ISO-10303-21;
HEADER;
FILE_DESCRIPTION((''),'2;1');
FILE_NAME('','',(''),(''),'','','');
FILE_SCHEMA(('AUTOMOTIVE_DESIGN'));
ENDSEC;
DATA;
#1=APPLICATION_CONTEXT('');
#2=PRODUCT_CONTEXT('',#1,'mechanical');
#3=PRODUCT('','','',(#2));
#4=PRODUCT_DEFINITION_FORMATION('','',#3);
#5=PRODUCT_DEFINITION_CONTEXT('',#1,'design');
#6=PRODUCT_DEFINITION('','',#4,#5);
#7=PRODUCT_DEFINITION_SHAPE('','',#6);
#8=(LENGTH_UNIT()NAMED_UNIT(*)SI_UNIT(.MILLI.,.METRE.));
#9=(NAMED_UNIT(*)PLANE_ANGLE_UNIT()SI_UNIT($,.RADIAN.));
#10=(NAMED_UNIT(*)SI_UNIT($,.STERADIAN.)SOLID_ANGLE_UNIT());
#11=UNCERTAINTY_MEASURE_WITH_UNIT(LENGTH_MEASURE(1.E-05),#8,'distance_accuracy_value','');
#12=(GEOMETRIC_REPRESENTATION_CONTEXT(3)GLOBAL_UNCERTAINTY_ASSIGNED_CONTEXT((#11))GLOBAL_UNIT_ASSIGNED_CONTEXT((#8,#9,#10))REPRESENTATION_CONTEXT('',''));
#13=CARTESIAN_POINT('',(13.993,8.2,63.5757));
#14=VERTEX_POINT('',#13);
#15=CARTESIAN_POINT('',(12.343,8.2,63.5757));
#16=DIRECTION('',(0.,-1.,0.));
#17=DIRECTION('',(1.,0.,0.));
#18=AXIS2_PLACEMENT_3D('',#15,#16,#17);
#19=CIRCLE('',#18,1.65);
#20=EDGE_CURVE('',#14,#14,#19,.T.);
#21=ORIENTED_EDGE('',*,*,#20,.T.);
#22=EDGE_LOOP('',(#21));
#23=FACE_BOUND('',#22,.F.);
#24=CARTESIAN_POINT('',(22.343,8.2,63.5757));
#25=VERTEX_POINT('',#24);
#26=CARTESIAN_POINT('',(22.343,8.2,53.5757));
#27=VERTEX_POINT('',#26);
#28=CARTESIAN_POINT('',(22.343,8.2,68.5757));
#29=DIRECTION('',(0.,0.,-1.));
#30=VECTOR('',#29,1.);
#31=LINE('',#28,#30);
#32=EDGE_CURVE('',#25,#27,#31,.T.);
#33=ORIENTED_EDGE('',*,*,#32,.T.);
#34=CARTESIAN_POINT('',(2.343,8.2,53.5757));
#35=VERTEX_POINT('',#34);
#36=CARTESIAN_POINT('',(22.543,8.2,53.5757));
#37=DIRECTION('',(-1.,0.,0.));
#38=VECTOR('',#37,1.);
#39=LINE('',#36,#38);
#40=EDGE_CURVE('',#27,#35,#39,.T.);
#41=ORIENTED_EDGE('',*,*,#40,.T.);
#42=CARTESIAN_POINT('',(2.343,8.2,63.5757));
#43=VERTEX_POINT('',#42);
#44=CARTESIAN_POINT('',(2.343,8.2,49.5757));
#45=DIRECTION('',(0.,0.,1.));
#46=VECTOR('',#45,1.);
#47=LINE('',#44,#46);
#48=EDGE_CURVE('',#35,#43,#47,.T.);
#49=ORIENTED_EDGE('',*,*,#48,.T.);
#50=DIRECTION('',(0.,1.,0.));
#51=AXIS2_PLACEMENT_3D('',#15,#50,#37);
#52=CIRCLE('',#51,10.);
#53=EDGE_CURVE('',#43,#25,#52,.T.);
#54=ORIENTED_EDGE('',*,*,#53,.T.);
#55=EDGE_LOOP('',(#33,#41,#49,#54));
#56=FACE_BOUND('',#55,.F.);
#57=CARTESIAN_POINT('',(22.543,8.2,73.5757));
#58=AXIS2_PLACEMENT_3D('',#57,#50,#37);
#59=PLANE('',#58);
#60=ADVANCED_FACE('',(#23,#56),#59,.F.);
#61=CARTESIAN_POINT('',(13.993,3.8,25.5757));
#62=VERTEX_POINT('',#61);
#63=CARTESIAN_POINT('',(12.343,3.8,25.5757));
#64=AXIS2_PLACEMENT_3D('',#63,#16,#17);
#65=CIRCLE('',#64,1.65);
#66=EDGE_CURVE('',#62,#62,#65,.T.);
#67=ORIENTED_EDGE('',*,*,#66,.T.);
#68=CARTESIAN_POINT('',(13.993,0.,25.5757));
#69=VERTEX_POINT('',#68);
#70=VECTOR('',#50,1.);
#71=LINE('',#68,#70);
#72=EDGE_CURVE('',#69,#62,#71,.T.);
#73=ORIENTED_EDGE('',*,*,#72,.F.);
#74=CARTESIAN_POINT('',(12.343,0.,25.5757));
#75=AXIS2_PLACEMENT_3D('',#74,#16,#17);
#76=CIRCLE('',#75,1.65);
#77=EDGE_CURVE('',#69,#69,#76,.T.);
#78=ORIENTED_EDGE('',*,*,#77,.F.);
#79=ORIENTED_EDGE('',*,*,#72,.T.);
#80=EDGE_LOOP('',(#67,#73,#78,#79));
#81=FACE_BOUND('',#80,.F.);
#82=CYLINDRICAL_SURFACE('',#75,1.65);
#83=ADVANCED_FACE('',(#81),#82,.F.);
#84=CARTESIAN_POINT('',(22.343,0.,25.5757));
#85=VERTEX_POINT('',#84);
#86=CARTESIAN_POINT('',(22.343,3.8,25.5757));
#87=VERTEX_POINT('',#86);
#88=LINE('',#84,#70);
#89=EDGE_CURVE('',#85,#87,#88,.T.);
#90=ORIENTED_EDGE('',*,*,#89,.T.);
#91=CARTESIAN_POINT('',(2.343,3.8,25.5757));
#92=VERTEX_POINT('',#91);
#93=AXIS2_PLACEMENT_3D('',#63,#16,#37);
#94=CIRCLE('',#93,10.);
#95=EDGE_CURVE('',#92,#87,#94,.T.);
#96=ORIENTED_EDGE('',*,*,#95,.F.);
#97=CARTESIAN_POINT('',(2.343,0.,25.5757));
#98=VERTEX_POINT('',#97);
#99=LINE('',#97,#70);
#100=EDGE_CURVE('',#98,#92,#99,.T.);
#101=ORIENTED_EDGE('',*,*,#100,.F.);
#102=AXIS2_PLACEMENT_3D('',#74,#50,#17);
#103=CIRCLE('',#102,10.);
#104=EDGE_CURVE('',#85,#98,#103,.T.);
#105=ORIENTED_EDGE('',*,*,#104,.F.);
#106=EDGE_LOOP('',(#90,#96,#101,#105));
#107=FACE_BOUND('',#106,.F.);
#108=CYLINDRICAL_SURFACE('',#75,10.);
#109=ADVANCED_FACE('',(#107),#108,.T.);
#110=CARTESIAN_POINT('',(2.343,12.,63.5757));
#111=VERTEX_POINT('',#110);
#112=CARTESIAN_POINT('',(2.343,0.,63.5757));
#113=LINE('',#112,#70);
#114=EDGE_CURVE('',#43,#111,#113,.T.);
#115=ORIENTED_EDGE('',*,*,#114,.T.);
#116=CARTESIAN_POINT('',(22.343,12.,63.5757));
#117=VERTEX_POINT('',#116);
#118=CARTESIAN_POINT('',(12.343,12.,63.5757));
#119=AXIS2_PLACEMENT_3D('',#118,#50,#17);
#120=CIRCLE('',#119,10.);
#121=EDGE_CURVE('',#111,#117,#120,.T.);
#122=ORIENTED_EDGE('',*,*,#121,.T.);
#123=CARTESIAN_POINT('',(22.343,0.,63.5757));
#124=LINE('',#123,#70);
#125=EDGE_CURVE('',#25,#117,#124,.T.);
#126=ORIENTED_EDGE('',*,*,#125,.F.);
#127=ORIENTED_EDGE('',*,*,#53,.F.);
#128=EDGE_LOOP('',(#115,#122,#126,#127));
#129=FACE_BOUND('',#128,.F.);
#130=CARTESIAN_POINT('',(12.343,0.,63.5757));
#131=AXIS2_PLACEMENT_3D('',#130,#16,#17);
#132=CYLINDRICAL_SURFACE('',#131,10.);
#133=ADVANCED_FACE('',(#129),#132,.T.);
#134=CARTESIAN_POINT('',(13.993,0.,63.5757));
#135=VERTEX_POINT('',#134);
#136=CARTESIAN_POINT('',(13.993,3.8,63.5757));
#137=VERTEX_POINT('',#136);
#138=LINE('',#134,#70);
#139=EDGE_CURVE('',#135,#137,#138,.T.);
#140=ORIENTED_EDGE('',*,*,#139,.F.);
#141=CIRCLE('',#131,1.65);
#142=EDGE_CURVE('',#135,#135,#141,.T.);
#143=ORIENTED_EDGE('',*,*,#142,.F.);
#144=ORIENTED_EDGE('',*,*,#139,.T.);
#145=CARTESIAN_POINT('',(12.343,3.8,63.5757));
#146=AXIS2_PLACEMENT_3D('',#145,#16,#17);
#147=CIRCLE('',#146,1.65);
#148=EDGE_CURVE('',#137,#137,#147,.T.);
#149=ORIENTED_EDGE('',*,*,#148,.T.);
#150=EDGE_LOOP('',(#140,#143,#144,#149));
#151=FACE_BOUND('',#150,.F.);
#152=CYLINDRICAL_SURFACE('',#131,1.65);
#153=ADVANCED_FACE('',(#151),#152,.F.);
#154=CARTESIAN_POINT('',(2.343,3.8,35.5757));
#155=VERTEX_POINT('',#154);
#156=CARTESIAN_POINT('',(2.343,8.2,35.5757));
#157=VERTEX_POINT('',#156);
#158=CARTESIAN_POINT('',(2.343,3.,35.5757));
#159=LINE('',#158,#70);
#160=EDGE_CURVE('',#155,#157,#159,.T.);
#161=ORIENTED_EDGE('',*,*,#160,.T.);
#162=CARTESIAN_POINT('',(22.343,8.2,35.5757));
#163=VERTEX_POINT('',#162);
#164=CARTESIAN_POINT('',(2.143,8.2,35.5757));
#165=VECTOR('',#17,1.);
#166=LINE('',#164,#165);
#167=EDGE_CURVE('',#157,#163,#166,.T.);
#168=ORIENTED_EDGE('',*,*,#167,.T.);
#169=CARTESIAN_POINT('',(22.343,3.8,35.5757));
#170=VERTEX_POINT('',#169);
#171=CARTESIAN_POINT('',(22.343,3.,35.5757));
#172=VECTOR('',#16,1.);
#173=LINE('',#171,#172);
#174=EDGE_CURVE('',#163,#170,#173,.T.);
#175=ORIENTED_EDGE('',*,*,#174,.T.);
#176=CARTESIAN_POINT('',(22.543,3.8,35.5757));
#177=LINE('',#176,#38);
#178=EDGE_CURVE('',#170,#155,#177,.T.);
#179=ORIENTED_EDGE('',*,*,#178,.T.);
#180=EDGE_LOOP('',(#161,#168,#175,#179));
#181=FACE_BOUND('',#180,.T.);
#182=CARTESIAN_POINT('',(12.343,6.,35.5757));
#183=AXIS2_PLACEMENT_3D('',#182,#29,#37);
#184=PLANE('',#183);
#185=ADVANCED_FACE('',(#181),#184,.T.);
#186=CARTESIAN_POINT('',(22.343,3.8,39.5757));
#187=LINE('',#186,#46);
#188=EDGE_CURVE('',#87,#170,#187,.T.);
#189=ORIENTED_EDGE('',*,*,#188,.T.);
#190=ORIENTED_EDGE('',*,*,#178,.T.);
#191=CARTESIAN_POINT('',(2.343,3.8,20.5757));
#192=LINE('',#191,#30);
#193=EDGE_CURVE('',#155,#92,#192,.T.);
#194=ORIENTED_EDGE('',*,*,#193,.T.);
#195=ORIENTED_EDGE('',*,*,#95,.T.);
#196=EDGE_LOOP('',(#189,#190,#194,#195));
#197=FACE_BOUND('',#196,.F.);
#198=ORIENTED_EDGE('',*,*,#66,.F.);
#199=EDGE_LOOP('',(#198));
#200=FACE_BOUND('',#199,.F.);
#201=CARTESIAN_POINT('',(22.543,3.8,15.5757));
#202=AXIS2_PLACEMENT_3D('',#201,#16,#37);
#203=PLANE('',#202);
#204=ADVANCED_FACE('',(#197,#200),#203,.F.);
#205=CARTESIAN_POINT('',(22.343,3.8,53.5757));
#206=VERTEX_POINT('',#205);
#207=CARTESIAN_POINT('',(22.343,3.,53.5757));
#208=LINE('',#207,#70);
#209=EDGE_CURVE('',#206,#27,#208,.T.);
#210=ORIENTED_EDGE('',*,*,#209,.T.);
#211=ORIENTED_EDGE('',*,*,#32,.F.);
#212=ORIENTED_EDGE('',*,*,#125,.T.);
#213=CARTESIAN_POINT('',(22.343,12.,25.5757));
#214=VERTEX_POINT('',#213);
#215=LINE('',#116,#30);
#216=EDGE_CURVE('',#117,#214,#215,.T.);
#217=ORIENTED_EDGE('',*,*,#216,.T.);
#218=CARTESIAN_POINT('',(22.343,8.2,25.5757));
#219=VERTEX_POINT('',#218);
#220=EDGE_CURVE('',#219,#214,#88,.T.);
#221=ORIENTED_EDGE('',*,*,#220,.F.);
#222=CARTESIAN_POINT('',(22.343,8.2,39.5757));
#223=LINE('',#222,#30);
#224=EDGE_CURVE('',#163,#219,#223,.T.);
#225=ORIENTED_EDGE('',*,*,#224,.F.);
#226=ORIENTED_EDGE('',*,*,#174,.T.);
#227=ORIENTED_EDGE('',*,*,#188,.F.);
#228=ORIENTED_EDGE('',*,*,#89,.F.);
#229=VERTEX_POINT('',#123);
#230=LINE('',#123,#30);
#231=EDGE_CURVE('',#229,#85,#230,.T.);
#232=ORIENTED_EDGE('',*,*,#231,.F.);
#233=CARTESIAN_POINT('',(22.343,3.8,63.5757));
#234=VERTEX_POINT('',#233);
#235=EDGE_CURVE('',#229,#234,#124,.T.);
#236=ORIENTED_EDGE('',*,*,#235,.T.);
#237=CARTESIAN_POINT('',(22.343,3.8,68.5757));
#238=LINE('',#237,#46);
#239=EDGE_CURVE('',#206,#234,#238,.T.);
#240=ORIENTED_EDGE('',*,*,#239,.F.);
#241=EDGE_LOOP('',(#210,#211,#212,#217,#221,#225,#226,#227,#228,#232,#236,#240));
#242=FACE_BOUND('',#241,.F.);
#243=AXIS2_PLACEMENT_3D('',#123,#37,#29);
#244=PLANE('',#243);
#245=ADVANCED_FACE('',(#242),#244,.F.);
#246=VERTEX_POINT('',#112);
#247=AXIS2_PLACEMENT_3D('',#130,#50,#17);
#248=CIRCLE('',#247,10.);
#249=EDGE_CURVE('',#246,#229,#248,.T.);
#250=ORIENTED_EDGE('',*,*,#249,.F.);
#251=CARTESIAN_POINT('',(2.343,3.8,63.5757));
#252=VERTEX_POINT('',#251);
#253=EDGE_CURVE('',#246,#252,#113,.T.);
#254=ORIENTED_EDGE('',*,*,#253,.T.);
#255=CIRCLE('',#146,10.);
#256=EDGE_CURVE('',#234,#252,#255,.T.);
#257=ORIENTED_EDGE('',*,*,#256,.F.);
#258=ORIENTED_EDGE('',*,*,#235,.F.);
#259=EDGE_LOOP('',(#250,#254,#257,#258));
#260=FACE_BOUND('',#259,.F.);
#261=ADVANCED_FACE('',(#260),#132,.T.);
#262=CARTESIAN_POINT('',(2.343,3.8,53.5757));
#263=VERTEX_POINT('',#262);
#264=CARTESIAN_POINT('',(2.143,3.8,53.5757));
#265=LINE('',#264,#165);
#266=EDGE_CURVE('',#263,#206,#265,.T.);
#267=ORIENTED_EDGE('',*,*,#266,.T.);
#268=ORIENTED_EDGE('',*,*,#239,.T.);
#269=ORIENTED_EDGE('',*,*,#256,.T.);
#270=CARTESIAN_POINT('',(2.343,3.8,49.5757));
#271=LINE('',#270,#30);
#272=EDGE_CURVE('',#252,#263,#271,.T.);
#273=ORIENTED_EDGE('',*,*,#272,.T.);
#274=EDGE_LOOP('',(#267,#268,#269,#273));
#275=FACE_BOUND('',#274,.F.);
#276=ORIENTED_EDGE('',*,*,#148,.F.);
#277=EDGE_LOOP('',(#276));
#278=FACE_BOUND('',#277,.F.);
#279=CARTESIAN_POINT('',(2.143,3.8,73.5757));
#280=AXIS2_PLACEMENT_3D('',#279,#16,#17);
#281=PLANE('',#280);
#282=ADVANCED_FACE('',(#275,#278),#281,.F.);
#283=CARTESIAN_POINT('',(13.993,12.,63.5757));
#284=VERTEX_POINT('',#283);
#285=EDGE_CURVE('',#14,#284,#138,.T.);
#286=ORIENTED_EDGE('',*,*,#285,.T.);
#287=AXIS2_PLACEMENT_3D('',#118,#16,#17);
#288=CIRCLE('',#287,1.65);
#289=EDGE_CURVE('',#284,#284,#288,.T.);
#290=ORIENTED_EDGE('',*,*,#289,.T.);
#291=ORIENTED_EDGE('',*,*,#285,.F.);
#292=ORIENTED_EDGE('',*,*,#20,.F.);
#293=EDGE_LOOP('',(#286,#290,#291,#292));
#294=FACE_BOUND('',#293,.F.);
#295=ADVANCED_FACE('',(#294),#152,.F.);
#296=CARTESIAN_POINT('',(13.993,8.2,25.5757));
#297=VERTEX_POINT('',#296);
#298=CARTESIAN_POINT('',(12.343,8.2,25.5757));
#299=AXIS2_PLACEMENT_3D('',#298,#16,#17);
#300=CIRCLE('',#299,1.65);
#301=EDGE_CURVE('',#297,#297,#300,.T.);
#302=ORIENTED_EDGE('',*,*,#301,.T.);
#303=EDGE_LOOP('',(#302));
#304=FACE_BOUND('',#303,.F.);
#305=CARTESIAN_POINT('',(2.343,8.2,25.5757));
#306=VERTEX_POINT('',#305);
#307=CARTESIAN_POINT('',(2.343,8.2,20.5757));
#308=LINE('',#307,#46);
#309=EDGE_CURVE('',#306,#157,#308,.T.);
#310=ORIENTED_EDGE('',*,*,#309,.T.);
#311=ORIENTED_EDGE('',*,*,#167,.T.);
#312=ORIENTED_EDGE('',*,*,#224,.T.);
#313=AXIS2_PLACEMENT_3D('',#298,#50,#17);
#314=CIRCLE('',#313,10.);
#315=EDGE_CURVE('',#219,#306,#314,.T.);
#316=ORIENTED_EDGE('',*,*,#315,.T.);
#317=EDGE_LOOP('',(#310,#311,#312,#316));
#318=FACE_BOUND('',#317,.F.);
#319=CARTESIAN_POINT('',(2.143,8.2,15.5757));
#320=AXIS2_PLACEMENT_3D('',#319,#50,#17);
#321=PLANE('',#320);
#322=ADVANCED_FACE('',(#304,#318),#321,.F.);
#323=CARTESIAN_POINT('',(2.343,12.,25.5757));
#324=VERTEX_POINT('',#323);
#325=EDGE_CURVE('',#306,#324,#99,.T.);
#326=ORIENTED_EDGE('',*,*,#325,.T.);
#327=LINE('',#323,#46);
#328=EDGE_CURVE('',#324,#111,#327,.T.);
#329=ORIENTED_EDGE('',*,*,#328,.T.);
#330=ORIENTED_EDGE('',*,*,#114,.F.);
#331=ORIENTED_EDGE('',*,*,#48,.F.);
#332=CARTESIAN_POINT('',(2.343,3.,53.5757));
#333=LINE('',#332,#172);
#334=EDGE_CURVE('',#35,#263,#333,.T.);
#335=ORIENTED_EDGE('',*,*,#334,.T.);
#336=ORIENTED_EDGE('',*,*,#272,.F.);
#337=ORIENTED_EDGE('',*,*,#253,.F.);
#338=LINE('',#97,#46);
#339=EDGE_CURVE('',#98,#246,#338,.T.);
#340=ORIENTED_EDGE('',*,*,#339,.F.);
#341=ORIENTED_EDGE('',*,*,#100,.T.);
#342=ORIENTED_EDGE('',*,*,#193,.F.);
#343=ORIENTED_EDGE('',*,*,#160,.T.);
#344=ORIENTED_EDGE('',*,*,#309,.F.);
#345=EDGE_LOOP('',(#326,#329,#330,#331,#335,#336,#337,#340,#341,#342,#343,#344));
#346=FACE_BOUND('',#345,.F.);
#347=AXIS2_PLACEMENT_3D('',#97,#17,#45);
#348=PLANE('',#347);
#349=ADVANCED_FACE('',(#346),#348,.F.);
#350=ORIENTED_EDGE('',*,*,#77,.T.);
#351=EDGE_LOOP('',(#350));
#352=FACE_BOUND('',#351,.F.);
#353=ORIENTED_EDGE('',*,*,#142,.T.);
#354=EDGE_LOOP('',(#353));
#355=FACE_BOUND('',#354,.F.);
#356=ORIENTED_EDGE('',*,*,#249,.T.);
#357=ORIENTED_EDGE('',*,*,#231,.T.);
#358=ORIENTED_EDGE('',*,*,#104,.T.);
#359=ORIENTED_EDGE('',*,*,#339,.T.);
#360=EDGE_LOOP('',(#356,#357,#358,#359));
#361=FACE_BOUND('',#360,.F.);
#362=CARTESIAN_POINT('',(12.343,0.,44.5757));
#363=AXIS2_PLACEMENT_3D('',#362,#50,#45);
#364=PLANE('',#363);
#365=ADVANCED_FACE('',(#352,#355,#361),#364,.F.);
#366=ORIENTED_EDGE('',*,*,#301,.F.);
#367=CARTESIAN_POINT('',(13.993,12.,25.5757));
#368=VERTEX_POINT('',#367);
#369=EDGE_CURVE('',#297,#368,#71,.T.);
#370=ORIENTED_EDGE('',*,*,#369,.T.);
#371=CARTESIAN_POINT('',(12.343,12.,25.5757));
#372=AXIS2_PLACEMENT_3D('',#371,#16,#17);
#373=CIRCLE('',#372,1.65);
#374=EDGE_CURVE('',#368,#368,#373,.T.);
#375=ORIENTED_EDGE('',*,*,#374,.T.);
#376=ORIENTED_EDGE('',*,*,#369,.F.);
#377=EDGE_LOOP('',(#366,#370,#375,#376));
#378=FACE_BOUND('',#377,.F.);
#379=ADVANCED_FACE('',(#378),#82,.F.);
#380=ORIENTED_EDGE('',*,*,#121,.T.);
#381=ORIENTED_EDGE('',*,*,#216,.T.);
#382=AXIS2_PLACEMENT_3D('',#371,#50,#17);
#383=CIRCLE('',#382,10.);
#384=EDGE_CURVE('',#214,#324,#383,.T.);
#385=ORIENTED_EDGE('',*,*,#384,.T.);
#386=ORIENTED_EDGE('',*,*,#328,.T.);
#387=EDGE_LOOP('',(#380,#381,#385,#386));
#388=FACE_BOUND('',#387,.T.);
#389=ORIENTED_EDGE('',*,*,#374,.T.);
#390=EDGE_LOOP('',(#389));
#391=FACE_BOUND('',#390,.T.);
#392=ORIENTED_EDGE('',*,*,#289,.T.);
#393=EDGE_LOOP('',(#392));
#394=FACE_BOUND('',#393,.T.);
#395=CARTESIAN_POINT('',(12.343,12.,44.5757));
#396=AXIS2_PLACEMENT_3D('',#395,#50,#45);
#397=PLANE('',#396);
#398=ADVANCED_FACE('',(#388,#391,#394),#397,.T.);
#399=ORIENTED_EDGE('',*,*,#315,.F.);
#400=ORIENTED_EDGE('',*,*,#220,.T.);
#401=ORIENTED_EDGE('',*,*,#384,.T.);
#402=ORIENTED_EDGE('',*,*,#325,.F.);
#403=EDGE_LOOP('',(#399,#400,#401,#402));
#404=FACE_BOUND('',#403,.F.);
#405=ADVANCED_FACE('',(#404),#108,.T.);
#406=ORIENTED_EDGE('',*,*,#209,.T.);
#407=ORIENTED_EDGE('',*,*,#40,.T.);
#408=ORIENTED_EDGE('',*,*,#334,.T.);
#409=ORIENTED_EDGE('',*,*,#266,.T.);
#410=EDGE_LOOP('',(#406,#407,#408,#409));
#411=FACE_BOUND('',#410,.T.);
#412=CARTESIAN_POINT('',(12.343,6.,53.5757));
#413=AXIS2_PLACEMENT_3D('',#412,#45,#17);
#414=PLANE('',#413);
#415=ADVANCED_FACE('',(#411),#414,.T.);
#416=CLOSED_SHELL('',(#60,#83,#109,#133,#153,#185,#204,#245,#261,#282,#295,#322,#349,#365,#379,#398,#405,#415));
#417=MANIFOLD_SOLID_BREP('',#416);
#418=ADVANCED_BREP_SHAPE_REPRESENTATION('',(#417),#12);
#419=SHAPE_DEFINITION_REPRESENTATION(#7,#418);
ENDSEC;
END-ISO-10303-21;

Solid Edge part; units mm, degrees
sketch "Sketch1" plane through (0, 0, 0) normal (0, -1, 0) x (1, 0, 0)
  circle A0 centre (12.343, 25.5757) radius 1.65
  arc A1 (2.343, 63.5757) -> (22.343, 63.5757) centre (12.343, 63.5757) cw
  line L0 (22.343, 63.5757) -> (22.343, 25.5757)
  arc A2 (22.343, 25.5757) -> (2.343, 25.5757) centre (12.343, 25.5757) cw
  line L1 (2.343, 25.5757) -> (2.343, 63.5757)
  circle A3 centre (12.343, 63.5757) radius 1.65
  dimension "D1" = 38
extrude "Protrusion1" add sketch "Sketch1" against normal blind 12
sketch "Sketch2" plane through (12.343, 6, 73.5757) normal (0, 0, 1) x (0, -1, 0)
  line L0 (2.2, -10.2) -> (2.2, 10.2)
  line L1 (2.2, 10.2) -> (-2.2, 10.2)
  line L2 (-2.2, 10.2) -> (-2.2, -10.2)
  line L3 (-2.2, -10.2) -> (2.2, -10.2)
extrude "ExtrudedCutout_1" cut sketch "Sketch2" against normal blind 20
sketch "Sketch3" plane through (12.343, 6, 15.5757) normal (0, 0, -1) x (0, -1, 0)
  line L0 (2.2, 10.2) -> (-2.2, 10.2)
  line L1 (-2.2, 10.2) -> (-2.2, -10.2)
  line L2 (-2.2, -10.2) -> (2.2, -10.2)
  line L3 (2.2, -10.2) -> (2.2, 10.2)
extrude "ExtrudedCutout_7" cut sketch "Sketch3" against normal blind 20
